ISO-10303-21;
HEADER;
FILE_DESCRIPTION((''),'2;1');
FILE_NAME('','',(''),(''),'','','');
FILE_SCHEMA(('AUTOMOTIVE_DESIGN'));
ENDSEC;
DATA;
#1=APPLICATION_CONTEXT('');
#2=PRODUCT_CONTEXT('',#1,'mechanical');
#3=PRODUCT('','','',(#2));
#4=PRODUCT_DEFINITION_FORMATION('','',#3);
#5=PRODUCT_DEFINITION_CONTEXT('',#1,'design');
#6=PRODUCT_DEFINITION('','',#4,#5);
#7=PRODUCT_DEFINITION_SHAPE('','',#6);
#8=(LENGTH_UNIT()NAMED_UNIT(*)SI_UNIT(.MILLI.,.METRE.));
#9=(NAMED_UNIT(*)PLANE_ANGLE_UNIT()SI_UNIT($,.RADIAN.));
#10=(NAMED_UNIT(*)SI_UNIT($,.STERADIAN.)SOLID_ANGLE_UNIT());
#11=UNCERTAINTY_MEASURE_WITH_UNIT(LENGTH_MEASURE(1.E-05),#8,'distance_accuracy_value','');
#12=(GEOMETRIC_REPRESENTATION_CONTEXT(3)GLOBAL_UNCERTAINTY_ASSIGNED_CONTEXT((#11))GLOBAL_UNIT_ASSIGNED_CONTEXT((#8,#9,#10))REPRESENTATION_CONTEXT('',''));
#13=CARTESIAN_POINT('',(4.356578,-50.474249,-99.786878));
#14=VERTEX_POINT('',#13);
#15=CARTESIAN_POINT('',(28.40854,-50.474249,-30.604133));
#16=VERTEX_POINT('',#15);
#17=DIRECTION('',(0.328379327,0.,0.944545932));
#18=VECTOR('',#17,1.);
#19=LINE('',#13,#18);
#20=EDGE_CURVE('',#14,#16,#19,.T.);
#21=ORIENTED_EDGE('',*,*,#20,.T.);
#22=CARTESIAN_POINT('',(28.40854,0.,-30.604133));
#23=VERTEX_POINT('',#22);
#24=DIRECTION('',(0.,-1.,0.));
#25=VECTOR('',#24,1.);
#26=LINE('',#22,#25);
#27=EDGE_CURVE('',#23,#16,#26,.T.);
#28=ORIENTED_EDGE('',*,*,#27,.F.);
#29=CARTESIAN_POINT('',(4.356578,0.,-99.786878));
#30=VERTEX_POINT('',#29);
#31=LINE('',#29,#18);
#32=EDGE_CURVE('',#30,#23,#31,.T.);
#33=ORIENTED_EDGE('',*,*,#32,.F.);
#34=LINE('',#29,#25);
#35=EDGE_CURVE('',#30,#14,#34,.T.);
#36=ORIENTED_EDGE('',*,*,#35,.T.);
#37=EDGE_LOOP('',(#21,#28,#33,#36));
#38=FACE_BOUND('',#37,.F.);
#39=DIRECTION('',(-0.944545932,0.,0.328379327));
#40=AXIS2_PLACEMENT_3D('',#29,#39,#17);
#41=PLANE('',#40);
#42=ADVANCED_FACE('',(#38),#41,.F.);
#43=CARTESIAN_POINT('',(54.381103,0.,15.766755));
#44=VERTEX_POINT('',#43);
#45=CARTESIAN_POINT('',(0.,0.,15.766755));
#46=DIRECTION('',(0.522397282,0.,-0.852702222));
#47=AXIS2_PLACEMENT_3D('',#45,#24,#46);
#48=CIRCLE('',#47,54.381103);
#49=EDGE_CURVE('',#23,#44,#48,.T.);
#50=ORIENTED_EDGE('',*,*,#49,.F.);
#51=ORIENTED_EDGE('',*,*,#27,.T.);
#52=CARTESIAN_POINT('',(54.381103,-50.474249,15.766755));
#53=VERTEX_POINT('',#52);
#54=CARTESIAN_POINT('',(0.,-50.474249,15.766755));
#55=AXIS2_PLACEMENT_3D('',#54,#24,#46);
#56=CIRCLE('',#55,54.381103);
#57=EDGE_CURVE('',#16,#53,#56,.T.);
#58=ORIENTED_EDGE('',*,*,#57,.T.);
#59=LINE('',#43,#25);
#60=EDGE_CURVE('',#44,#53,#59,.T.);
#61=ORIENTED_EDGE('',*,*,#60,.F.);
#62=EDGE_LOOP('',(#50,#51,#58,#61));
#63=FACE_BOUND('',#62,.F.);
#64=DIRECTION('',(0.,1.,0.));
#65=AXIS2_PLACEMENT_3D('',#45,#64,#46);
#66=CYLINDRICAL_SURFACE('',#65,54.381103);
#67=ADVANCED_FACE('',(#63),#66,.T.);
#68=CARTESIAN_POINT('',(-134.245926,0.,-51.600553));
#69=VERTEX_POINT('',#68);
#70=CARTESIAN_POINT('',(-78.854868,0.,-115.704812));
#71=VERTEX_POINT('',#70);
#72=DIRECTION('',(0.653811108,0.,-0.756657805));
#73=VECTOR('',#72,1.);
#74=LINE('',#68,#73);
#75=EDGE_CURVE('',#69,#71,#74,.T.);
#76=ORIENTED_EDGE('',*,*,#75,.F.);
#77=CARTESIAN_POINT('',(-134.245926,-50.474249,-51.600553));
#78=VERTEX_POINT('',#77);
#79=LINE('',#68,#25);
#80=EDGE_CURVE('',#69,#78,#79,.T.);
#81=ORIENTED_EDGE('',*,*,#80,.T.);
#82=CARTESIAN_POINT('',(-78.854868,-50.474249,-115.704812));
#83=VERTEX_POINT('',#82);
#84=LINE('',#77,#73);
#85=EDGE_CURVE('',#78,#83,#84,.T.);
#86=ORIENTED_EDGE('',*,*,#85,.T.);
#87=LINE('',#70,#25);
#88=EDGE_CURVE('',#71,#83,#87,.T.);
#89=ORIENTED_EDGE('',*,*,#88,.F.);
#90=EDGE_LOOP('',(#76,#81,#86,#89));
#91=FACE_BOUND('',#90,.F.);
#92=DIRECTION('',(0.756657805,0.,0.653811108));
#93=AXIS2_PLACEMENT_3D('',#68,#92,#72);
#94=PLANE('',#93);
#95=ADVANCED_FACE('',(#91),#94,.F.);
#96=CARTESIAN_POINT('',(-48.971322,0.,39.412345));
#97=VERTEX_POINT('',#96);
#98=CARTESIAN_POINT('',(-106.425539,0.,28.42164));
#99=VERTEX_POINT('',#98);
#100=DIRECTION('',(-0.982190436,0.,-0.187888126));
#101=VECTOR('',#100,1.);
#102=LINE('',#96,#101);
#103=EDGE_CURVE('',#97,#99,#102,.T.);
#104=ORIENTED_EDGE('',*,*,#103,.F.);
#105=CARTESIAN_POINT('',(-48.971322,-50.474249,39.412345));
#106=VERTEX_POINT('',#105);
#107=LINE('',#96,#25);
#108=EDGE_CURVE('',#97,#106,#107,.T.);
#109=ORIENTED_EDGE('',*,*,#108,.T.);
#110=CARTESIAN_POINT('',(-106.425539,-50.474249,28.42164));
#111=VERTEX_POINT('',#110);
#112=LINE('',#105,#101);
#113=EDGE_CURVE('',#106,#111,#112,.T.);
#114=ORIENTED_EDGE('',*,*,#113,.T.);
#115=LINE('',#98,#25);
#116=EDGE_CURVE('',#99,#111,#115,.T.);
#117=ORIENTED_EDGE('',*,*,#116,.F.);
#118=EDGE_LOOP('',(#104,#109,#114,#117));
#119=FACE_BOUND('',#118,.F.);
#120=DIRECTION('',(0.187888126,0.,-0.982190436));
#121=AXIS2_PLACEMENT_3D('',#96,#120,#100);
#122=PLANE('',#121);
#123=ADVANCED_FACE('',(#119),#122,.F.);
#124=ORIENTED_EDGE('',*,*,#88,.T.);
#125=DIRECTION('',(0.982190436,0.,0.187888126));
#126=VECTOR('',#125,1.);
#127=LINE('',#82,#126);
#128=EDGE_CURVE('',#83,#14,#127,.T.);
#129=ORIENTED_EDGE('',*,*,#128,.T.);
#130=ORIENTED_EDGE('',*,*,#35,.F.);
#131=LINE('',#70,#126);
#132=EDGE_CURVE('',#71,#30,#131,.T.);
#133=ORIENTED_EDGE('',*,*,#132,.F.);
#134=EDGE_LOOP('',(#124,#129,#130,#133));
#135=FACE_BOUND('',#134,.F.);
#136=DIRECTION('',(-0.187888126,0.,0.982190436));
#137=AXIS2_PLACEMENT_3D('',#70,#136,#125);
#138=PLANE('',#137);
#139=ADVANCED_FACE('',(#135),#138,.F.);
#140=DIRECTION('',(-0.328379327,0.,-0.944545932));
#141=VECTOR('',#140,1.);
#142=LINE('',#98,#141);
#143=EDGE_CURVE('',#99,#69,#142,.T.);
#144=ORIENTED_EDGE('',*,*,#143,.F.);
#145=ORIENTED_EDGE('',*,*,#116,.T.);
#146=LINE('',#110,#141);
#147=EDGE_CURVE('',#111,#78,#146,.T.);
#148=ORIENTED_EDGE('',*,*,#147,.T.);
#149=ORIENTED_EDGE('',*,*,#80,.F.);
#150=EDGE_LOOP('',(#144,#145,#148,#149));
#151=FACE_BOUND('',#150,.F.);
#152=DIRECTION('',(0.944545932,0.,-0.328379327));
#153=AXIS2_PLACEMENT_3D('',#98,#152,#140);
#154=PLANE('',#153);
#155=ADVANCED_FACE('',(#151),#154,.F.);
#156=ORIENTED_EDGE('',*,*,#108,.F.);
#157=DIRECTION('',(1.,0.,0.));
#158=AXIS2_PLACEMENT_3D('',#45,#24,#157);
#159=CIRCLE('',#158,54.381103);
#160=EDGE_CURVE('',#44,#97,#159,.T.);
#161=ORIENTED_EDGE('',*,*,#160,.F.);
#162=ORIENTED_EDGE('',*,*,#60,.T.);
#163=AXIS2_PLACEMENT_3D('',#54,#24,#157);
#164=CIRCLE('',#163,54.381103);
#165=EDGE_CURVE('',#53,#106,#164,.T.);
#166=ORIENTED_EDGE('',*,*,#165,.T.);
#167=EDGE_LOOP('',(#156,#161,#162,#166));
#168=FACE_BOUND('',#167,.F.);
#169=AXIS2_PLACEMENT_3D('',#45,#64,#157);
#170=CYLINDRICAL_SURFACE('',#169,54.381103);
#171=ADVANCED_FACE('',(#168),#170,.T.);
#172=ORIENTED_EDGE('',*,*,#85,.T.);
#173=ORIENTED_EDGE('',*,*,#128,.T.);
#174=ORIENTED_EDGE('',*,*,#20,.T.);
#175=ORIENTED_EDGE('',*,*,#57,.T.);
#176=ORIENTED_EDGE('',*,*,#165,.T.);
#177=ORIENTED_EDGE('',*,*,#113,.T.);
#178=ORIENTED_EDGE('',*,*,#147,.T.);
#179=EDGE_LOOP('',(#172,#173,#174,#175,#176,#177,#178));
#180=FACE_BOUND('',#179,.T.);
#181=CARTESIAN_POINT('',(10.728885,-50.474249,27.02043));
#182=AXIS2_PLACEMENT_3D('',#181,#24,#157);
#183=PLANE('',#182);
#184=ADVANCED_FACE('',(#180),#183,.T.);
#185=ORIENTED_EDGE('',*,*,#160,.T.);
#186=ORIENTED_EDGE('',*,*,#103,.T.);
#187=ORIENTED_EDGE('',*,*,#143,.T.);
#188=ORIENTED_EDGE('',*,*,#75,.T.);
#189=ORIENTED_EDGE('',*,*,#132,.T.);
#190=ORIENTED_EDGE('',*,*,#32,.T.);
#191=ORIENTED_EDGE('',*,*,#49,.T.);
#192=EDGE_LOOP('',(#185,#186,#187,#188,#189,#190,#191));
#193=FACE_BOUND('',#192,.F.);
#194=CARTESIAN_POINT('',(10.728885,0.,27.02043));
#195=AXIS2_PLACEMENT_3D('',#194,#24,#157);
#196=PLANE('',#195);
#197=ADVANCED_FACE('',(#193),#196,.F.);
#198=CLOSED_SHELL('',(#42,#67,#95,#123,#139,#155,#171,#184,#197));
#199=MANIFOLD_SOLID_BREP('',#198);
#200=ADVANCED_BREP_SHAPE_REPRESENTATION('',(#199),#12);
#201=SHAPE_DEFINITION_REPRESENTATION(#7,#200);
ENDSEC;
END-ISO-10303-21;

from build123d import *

# Parameters (mm, degrees)
F1_DEPTH = 50.4742488265


with BuildPart() as f1:
    # F0 (on Front) → F1 (new body)
    with BuildSketch(Plane.XZ):
        with BuildLine():
            ThreePointArc((28.4085404041, -30.6041326868), (47.4457170487, -10.8078252685), (54.3811030527, 15.7667547464))
            ThreePointArc((54.3811030527, 15.7667547464), (12.1282693342, 68.7781634448), (-48.9713224935, 39.4123450854))
            Line((-48.9713224934, 39.4123450854), (-23.2140926992, 44.3395745417))
            Line((-23.2140926992, 44.3395745417), (32.1769656266, -19.7646844725))
            Line((32.1769656266, -19.7646844725), (28.4085404041, -30.6041326868))
        make_face()
        with BuildLine():
            Line((-23.2140926992, 44.3395745417), (-48.9713224934, 39.4123450854))
            ThreePointArc((-48.9713224935, 39.4123450854), (-36.4867618694, -24.5571907142), (28.4085404041, -30.6041326868))
            Line((28.4085404041, -30.6041326868), (32.1769656266, -19.7646844725))
            Line((32.1769656266, -19.7646844725), (-23.2140926992, 44.3395745417))
        make_face()
        with BuildLine():
            ThreePointArc((28.4085404041, -30.6041326868), (-36.4867618694, -24.5571907142), (-48.9713224935, 39.4123450854))
            Line((-48.9713224934, 39.4123450854), (-106.4255386591, 28.4216403961))
            Line((-106.4255386591, 28.4216403961), (-134.2459262932, -51.6005527636))
            Line((-134.2459262932, -51.6005527636), (-78.8548679675, -115.7048117777))
            Line((-78.8548679675, -115.7048117777), (4.3565779924, -99.7868776321))
            Line((4.3565779924, -99.7868776321), (28.4085404041, -30.6041326868))
        make_face()
    extrude(amount=F1_DEPTH)


solid = f1.part
